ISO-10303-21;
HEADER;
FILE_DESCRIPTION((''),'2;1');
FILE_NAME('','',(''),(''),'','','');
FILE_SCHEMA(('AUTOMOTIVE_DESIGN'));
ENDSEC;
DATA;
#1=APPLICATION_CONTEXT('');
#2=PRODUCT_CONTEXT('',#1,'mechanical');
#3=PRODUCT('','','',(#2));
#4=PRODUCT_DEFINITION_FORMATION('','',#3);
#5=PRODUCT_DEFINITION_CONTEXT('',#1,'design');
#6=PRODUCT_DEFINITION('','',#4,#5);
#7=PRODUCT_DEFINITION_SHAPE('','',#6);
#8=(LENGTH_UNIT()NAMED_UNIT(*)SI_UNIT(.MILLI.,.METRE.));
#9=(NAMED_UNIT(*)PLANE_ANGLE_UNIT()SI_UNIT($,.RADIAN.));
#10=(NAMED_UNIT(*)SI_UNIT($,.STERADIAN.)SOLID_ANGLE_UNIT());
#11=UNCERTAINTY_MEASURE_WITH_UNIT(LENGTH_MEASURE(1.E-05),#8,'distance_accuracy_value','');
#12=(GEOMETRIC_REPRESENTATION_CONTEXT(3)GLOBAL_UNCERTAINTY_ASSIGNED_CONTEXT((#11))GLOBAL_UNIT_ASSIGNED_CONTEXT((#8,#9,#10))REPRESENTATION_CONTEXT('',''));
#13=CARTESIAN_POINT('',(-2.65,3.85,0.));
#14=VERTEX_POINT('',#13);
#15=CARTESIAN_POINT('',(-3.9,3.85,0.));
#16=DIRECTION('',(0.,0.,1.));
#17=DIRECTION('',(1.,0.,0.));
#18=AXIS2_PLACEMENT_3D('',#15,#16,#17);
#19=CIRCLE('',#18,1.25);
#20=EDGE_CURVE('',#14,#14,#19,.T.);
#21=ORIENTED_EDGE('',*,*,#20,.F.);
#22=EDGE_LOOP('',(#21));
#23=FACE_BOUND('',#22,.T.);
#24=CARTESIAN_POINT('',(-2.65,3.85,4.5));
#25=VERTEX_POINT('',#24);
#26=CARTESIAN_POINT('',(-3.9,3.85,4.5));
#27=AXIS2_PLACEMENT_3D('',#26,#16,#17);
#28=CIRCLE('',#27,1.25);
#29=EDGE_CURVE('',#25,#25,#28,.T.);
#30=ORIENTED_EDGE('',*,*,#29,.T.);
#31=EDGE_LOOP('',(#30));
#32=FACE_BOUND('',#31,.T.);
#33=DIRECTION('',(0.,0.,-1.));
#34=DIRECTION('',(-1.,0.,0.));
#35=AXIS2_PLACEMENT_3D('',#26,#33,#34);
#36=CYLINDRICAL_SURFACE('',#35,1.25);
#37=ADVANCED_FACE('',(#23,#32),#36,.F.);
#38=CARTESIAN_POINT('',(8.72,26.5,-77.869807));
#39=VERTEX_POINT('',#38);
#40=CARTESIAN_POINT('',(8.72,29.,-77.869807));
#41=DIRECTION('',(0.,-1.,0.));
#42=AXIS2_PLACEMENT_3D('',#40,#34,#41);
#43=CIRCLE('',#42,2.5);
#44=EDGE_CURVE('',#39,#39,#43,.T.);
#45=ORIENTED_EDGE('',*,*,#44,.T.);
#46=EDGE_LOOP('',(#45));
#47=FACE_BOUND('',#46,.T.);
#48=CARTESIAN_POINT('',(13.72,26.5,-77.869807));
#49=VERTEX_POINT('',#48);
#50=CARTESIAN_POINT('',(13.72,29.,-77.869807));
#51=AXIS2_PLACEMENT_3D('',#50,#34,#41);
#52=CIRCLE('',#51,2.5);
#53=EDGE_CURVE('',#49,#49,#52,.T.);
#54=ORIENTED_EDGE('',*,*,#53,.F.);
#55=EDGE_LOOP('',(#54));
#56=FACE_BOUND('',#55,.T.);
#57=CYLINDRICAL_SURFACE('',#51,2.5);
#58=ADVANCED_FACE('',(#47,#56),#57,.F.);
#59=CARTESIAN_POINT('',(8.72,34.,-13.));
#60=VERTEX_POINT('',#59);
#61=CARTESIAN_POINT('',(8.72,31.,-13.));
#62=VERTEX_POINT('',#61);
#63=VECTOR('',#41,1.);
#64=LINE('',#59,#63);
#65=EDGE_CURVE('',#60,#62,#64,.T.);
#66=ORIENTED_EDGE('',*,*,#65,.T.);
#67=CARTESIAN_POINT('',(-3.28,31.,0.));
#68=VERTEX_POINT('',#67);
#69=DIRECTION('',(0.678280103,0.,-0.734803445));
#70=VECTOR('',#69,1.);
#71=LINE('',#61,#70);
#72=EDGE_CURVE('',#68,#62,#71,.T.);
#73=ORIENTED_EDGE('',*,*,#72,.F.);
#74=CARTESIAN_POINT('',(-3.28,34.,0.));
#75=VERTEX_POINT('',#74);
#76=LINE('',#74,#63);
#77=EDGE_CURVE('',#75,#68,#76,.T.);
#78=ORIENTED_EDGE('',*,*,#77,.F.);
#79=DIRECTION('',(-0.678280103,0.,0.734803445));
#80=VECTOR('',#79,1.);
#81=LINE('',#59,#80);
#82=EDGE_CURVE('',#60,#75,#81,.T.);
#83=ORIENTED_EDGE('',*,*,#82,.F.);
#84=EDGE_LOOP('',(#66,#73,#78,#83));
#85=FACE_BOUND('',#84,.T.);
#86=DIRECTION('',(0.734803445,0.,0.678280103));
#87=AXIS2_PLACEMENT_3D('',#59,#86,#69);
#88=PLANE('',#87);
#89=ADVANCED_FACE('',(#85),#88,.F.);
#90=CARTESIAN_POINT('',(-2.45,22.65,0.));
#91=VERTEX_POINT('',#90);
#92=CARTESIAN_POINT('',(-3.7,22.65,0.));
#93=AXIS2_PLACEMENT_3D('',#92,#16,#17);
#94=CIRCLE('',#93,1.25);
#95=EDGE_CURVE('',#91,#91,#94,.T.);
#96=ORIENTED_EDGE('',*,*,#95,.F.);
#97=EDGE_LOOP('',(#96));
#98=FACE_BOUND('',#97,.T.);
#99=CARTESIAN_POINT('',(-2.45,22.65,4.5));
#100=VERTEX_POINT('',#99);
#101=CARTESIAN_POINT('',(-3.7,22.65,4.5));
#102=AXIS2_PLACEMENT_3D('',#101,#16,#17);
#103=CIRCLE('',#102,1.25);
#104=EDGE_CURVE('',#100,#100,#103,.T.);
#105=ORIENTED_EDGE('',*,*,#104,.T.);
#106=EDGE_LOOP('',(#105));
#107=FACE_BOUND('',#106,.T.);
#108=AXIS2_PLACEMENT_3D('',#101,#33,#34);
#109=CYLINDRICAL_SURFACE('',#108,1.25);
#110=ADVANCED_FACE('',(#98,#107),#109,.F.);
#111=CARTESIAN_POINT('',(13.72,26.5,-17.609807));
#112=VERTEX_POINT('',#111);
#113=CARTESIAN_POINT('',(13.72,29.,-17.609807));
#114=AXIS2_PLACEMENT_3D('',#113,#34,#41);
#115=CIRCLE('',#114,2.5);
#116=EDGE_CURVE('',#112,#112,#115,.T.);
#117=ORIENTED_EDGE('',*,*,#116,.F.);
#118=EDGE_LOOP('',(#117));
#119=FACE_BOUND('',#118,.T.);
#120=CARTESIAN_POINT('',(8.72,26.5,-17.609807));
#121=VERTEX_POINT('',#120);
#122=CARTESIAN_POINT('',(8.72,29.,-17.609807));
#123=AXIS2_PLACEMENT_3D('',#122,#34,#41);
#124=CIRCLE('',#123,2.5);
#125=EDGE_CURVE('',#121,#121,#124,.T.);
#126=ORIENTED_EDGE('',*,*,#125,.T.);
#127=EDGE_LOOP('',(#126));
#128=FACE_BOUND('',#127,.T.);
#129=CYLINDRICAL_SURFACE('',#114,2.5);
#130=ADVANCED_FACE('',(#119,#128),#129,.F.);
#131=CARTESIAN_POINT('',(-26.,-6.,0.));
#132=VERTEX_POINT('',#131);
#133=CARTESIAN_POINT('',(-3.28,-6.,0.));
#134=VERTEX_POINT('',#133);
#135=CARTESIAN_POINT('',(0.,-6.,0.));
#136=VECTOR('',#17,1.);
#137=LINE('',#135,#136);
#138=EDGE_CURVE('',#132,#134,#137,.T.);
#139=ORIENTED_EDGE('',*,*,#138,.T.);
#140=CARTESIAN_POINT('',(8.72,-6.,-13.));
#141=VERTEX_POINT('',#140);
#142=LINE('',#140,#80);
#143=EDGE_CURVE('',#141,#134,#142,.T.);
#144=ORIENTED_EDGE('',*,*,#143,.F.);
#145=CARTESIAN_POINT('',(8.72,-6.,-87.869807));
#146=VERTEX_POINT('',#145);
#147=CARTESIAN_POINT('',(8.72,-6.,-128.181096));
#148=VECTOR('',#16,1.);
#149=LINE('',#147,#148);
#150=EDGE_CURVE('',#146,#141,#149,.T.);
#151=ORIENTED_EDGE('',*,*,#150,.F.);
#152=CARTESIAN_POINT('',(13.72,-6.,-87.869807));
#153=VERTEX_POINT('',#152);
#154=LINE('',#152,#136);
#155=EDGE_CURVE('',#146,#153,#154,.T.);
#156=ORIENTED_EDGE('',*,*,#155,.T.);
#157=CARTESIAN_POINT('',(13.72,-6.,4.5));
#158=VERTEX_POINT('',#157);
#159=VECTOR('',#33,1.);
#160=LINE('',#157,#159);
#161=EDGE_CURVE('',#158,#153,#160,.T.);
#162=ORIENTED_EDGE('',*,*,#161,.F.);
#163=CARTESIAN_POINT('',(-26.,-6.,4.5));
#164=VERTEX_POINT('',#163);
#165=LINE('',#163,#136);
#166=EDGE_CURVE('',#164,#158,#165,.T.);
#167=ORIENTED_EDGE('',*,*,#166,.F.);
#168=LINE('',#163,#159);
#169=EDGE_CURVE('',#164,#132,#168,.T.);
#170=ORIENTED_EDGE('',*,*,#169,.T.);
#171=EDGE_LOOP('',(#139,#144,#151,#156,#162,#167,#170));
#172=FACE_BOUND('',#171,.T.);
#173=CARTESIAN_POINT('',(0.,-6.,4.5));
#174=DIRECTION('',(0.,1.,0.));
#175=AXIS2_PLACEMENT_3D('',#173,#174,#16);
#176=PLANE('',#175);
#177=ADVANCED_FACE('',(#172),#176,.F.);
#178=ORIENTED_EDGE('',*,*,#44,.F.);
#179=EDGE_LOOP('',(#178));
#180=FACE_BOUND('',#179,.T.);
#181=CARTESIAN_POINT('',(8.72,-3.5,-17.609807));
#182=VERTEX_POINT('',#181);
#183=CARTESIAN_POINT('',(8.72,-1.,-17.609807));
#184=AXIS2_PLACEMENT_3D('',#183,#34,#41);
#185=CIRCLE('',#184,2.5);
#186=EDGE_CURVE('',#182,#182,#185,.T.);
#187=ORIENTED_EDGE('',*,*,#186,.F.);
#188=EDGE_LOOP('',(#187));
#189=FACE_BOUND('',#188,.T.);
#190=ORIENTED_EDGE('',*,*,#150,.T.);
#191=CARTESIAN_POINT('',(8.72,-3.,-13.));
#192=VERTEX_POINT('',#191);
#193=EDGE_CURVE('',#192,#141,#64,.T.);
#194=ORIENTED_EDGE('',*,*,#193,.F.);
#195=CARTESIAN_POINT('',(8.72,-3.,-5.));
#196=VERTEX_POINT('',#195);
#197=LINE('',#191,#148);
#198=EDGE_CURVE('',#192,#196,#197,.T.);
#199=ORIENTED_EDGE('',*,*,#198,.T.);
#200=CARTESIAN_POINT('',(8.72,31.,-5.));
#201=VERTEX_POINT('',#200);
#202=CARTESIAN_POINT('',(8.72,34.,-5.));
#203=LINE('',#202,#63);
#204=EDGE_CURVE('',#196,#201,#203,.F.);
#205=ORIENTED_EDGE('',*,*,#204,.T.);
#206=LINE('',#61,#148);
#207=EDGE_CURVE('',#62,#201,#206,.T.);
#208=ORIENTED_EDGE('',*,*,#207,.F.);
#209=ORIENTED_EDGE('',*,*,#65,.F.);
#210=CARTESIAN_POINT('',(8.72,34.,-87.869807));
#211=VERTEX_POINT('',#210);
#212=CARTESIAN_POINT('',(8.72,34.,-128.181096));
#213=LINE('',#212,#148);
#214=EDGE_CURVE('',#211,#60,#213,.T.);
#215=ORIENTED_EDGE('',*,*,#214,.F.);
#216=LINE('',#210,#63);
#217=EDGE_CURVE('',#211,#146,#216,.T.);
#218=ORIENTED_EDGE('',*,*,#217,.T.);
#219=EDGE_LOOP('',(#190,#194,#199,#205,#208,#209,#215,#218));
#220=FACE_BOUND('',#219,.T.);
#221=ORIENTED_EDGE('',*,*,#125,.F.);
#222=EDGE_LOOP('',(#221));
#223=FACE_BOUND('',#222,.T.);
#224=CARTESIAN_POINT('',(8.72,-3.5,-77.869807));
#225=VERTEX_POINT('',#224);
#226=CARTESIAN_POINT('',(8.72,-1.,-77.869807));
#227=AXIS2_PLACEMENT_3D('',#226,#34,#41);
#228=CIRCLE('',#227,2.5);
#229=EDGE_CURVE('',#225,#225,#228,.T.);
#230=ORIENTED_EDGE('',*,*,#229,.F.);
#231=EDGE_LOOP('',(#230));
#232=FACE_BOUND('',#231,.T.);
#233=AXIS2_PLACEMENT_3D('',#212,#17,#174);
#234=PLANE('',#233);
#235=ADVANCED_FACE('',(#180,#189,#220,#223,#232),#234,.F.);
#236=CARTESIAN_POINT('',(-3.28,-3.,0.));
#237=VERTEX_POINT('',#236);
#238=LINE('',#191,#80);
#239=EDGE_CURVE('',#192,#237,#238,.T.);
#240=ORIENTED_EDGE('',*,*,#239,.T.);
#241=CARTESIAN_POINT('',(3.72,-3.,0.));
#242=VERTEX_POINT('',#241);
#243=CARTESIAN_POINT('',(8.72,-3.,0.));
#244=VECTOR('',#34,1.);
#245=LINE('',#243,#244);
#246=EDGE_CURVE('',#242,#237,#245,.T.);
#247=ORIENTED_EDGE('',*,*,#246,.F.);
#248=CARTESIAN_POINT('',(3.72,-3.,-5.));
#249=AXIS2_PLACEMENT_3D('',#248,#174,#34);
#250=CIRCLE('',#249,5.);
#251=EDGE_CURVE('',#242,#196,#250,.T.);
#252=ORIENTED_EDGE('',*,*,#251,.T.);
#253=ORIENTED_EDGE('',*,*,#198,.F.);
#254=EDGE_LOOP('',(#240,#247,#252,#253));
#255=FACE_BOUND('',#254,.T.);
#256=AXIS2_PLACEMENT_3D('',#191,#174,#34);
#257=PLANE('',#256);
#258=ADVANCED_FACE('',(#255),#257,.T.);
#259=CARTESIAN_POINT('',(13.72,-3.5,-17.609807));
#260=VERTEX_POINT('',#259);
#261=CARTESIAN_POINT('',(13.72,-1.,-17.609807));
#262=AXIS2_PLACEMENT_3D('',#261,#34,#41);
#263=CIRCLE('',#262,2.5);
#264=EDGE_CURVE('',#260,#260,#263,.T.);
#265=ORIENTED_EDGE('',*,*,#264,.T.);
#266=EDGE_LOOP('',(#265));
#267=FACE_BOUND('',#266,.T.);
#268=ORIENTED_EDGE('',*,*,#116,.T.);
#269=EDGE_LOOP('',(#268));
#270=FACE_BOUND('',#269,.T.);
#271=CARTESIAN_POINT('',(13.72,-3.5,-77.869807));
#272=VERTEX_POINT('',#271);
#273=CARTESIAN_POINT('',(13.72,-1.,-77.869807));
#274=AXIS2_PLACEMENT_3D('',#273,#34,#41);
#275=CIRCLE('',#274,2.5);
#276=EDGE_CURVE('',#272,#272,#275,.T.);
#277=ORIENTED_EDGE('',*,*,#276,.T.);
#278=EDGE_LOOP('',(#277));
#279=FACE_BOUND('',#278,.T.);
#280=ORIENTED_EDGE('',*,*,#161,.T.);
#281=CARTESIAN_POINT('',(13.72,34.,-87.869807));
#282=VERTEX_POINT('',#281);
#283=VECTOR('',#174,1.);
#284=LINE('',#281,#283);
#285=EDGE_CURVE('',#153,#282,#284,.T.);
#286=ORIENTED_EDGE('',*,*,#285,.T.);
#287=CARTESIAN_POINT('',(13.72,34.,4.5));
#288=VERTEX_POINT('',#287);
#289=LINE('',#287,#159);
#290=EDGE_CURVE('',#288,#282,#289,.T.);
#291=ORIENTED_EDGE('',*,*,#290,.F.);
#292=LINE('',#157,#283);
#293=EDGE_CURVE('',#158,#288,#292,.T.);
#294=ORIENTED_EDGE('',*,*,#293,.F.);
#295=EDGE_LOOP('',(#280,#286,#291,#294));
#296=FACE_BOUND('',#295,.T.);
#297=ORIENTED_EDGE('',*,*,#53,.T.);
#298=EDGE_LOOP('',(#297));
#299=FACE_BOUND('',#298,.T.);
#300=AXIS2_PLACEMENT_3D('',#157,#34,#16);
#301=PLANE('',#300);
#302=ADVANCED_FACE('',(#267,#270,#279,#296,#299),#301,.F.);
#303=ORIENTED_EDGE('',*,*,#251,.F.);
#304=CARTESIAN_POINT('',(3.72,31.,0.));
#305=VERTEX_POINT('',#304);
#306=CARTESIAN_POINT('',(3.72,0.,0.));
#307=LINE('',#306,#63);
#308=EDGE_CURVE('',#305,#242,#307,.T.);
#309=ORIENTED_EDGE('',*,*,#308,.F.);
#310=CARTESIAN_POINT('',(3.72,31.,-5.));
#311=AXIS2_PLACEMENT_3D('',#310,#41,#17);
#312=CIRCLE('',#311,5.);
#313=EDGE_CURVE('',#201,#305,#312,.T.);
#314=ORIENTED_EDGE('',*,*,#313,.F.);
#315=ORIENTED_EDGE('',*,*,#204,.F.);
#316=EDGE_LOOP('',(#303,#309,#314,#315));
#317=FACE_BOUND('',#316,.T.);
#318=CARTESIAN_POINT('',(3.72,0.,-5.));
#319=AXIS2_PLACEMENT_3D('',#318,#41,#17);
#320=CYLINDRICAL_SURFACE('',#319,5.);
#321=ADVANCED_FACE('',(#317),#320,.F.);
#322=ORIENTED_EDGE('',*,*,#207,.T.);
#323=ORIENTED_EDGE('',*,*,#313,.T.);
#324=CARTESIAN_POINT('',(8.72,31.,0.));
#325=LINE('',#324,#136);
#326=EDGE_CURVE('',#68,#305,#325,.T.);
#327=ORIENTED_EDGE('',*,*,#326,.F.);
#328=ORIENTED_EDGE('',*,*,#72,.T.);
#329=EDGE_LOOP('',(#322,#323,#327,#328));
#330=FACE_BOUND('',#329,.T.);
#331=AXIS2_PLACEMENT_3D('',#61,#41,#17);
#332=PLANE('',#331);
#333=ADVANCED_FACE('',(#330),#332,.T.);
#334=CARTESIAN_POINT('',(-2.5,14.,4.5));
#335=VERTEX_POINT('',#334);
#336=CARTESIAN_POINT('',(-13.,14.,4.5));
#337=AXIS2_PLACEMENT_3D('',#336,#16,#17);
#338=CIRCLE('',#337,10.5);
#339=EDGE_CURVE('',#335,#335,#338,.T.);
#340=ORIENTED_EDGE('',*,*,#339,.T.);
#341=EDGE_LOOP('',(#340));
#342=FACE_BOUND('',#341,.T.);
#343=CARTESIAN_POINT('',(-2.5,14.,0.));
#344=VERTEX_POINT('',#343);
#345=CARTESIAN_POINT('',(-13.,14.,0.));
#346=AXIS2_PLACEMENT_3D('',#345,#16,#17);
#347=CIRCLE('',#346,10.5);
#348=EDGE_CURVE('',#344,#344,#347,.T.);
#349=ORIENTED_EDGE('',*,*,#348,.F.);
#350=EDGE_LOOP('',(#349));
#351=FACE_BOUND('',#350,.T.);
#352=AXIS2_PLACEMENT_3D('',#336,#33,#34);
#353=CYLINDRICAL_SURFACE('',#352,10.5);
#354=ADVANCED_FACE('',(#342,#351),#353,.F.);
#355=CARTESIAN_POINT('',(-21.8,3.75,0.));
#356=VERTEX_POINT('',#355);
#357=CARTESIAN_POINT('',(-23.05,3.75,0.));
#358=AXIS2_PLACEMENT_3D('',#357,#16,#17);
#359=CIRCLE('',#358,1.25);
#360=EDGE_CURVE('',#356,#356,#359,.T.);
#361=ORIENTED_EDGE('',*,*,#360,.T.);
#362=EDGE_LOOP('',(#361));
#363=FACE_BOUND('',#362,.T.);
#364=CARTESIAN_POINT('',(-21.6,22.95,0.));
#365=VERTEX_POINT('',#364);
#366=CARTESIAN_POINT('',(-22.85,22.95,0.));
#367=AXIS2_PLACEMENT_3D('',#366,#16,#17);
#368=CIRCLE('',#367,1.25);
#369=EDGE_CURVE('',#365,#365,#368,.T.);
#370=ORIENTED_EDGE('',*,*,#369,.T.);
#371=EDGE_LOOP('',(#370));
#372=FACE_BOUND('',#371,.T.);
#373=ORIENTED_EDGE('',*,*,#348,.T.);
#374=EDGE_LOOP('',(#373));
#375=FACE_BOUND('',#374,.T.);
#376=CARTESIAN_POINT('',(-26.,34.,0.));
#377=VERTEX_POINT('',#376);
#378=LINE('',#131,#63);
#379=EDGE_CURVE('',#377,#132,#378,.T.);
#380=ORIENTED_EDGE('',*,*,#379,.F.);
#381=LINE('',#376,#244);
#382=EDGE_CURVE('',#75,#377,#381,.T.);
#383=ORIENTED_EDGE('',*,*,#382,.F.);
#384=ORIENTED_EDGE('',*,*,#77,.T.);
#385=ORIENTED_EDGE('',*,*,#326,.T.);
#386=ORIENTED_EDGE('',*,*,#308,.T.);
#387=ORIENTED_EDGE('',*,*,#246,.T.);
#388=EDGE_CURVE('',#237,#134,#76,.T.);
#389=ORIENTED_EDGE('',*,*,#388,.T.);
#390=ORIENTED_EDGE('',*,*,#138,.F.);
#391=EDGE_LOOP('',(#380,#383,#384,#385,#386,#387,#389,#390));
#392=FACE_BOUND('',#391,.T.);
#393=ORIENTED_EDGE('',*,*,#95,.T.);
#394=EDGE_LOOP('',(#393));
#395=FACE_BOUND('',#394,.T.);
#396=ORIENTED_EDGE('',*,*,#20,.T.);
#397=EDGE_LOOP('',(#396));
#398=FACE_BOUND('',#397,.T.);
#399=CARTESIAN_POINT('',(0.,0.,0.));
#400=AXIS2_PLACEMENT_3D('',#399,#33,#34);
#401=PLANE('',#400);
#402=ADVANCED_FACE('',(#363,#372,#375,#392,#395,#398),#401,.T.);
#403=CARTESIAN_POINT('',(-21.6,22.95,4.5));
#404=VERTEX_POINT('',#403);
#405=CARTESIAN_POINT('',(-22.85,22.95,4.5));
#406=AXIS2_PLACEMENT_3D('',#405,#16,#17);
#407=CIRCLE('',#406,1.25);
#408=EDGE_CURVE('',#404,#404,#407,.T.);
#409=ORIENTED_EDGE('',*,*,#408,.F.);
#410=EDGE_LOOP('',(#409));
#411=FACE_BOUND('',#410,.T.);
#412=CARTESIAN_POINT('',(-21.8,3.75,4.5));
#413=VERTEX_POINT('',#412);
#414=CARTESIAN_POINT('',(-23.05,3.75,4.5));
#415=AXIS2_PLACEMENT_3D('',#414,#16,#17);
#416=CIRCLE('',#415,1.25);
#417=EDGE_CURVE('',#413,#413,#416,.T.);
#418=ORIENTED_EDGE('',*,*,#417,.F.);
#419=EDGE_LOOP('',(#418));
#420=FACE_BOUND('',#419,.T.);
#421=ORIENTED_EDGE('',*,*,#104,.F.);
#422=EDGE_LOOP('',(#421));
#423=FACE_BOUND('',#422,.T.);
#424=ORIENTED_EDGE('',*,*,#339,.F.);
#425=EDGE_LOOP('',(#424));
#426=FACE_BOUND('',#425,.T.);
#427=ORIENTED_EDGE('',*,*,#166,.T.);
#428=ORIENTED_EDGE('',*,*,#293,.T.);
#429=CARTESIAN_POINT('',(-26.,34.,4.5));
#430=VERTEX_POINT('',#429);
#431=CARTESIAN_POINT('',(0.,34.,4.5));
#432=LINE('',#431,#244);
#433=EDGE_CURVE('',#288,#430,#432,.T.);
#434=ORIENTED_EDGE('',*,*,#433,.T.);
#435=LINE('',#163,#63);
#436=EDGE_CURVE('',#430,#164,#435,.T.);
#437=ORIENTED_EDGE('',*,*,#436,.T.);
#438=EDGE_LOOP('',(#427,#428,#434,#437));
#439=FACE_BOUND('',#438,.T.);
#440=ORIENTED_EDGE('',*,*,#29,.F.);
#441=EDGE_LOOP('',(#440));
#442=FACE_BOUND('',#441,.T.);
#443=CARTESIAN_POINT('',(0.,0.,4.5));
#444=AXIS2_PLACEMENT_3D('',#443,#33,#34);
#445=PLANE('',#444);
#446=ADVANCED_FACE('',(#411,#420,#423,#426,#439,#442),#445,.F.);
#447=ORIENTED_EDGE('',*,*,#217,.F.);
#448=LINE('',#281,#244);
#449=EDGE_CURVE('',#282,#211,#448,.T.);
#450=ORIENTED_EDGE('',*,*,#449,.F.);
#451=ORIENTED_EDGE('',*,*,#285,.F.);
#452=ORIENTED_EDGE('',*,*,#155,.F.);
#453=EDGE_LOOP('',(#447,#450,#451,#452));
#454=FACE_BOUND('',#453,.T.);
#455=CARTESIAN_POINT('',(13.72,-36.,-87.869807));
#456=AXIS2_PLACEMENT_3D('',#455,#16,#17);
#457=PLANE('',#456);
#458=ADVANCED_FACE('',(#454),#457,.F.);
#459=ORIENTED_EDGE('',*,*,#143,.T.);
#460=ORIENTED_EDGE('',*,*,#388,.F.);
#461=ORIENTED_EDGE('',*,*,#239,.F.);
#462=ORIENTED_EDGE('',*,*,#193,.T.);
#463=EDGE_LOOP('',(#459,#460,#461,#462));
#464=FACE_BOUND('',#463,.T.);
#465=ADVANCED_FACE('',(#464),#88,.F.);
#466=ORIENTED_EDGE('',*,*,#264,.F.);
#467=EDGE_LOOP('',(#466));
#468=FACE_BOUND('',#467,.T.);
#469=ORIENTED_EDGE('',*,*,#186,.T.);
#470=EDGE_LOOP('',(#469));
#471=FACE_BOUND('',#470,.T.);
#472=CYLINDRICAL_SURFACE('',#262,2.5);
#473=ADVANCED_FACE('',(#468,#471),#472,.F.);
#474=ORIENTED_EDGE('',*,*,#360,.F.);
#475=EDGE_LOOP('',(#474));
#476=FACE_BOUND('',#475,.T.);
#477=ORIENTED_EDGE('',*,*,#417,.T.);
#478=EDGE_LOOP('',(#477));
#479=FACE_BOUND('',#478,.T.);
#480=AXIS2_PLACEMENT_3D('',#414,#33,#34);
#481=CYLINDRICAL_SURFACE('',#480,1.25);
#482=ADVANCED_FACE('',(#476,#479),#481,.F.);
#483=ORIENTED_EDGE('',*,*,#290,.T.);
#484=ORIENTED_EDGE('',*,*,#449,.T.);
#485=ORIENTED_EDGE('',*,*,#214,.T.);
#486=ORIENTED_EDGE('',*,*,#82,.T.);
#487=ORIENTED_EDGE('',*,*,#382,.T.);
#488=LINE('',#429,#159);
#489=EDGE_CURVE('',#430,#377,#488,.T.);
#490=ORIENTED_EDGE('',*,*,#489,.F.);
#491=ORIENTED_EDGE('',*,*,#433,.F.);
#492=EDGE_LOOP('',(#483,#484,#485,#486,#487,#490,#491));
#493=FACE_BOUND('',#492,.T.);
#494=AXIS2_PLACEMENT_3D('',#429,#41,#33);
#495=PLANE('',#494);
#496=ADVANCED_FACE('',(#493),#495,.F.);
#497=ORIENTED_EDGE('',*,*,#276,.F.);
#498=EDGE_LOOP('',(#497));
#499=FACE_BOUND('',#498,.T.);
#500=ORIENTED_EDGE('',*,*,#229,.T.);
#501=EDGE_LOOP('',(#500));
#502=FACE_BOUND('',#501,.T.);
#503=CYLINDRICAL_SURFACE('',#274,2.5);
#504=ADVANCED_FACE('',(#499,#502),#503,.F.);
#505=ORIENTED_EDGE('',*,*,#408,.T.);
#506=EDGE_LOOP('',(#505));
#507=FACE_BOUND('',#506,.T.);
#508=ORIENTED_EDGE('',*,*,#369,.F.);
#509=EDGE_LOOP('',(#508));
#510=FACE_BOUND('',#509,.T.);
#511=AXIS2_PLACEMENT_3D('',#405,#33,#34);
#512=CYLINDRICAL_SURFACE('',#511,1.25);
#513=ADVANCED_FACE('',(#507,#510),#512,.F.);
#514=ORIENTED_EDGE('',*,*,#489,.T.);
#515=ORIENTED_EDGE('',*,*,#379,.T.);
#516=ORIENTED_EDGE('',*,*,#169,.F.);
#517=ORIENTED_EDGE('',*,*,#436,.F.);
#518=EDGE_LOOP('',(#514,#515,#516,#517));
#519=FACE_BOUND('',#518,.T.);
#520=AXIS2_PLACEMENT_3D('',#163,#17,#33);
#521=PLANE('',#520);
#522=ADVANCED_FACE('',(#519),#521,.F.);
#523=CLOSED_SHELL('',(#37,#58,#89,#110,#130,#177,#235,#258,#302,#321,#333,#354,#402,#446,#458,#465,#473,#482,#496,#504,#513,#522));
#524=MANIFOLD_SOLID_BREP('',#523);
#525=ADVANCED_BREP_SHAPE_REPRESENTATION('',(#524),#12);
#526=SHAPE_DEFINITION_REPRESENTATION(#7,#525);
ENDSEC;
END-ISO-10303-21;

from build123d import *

# Parameters (mm, degrees)
SKETCH1_R           = 10.5
SKETCH1_R_2         = 1.25
BOSS_EXTRUDE1_DEPTH = 4.5
SKETCH2_W           = 5
SKETCH2_H           = 40
BOSS_EXTRUDE2_DEPTH = 87.869807
SKETCH3_R           = 2.5
CUT_EXTRUDE1_DEPTH  = 6
BOSS_EXTRUDE3_DEPTH = 20
SKETCH5_W           = 12
SKETCH5_H           = 34
CUT_EXTRUDE2_DEPTH  = 87.869807
FILLET1_R           = 5


with BuildPart() as part:
    # Sketch1 → Boss-Extrude1 (new body)
    with BuildSketch(Plane.XY):
        Polygon((-26, -6), (0, -6), (13.72, -6), (13.72, 34), (0, 34), (-26, 34), align=None)
        with Locations((-13, 14)):
            Circle(SKETCH1_R, mode=Mode.SUBTRACT)
        with Locations((-3.9, 3.85)):
            Circle(SKETCH1_R_2, mode=Mode.SUBTRACT)
        with Locations((-23.05, 3.75)):
            Circle(SKETCH1_R_2, mode=Mode.SUBTRACT)
        with Locations((-22.85, 22.95)):
            Circle(SKETCH1_R_2, mode=Mode.SUBTRACT)
        with Locations((-3.7, 22.65)):
            Circle(SKETCH1_R_2, mode=Mode.SUBTRACT)
    extrude(amount=BOSS_EXTRUDE1_DEPTH)

    # Sketch2 → Boss-Extrude2 (add)
    with BuildSketch(Plane(origin=(0, 0, 0), x_dir=(-1, 0, 0), z_dir=(0, 0, -1))):
        with Locations((-11.22, 14)):
            Rectangle(SKETCH2_W, SKETCH2_H)
    extrude(amount=BOSS_EXTRUDE2_DEPTH)

    # Sketch3 → Cut-Extrude1 (cut, through all)
    with BuildSketch(Plane.ZY.offset(-8.72)):
        with Locations((-77.869807398, 29)):
            Circle(SKETCH3_R)
        with Locations((-77.869807398, -1)):
            Circle(SKETCH3_R)
        with Locations((-17.609807398, -1)):
            Circle(SKETCH3_R)
        with Locations((-17.609807398, 29)):
            Circle(SKETCH3_R)
    extrude(amount=-CUT_EXTRUDE1_DEPTH, mode=Mode.SUBTRACT)

    # Sketch4 → Boss-Extrude3 (add, symmetric)
    with BuildSketch(Plane(origin=(0, 14, 0), x_dir=(1, 0, 0), z_dir=(0, 1, 0))):
        Polygon((8.72, 13), (-3.28, 0), (8.72, 0), align=None)
    extrude(amount=BOSS_EXTRUDE3_DEPTH, both=True)

    # Sketch5 → Cut-Extrude2 (cut)
    with BuildSketch(Plane(origin=(0, 0, 0), x_dir=(-1, 0, 0), z_dir=(0, 0, -1))):
        with Locations((-2.72, 14)):
            Rectangle(SKETCH5_W, SKETCH5_H)
    extrude(amount=CUT_EXTRUDE2_DEPTH, mode=Mode.SUBTRACT)

    # Fillet1
    fillet1_edges = [part.edges().sort_by_distance(p)[0] for p in [
        (8.72, 14, 0),
    ]]
    fillet(fillet1_edges, radius=FILLET1_R)


solid = part.part
